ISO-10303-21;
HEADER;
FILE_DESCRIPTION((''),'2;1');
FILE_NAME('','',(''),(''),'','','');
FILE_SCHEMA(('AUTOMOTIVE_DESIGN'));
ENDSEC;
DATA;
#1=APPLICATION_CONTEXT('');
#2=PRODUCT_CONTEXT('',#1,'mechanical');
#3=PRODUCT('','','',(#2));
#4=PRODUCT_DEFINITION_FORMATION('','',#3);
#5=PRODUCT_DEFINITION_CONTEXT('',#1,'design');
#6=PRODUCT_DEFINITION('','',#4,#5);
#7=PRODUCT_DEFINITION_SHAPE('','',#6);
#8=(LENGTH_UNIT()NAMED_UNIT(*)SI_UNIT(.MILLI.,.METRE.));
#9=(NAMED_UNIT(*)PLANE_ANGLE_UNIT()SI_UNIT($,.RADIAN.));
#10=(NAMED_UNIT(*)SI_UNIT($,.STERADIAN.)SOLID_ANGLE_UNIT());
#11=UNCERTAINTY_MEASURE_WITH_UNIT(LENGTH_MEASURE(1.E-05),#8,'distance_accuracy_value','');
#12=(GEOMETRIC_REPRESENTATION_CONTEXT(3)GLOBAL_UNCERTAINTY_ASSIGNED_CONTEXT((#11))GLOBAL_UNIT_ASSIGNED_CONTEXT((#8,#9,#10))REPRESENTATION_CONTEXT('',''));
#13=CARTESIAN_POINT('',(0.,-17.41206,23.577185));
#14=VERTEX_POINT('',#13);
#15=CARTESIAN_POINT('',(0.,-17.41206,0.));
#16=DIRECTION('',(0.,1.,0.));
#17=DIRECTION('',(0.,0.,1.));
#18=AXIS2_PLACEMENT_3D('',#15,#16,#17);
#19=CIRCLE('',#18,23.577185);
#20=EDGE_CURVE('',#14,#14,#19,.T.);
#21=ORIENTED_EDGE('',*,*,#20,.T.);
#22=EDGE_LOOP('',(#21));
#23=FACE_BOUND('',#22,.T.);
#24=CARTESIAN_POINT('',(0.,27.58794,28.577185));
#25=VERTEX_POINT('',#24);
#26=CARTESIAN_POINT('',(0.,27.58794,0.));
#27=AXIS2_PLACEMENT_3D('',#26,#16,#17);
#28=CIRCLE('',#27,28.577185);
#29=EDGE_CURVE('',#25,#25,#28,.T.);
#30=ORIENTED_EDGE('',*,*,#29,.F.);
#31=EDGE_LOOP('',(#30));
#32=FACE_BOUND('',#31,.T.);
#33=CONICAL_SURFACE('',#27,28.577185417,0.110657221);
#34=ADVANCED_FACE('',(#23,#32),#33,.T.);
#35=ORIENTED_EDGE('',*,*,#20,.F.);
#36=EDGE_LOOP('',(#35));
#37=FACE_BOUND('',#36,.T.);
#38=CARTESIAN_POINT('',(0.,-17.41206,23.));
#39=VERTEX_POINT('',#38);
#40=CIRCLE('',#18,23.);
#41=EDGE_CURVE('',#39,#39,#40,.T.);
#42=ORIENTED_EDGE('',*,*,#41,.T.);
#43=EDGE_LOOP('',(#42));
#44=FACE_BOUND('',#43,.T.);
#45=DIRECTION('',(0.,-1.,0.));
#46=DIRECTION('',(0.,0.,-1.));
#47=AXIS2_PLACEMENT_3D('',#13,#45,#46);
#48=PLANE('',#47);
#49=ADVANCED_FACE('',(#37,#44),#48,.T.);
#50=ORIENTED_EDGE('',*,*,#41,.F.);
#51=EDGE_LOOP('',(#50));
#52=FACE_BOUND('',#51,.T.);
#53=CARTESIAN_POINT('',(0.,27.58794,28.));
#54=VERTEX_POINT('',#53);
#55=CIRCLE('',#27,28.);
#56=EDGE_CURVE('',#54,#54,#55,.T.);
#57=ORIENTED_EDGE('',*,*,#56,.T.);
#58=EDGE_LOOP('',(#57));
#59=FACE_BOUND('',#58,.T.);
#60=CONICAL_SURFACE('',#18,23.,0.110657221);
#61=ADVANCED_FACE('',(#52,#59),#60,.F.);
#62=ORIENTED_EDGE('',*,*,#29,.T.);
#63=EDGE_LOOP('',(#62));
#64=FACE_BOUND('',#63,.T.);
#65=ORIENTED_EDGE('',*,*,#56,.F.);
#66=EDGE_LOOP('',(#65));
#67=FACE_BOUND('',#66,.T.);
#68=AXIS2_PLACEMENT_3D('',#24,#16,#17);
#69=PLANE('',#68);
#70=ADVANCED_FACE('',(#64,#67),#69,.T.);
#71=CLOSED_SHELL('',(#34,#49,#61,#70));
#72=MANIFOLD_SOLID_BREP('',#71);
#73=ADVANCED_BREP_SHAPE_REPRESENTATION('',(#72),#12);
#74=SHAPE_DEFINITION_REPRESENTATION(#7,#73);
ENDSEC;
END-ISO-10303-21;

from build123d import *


with BuildPart() as part:
    # 草图10 → 旋转1 (revolve)
    with BuildSketch(Plane(origin=(0, 0, 0), x_dir=(0, 0, -1), z_dir=(1, 0, 0))):
        Polygon((-23.577185417, -17.412060302), (-23, -17.412060302), (-28, 27.587939698), (-28.577185417, 27.587939698), align=None)
    revolve(axis=Axis((0, 30.405580885, 0), (0, -1, 0)))


solid = part.part
